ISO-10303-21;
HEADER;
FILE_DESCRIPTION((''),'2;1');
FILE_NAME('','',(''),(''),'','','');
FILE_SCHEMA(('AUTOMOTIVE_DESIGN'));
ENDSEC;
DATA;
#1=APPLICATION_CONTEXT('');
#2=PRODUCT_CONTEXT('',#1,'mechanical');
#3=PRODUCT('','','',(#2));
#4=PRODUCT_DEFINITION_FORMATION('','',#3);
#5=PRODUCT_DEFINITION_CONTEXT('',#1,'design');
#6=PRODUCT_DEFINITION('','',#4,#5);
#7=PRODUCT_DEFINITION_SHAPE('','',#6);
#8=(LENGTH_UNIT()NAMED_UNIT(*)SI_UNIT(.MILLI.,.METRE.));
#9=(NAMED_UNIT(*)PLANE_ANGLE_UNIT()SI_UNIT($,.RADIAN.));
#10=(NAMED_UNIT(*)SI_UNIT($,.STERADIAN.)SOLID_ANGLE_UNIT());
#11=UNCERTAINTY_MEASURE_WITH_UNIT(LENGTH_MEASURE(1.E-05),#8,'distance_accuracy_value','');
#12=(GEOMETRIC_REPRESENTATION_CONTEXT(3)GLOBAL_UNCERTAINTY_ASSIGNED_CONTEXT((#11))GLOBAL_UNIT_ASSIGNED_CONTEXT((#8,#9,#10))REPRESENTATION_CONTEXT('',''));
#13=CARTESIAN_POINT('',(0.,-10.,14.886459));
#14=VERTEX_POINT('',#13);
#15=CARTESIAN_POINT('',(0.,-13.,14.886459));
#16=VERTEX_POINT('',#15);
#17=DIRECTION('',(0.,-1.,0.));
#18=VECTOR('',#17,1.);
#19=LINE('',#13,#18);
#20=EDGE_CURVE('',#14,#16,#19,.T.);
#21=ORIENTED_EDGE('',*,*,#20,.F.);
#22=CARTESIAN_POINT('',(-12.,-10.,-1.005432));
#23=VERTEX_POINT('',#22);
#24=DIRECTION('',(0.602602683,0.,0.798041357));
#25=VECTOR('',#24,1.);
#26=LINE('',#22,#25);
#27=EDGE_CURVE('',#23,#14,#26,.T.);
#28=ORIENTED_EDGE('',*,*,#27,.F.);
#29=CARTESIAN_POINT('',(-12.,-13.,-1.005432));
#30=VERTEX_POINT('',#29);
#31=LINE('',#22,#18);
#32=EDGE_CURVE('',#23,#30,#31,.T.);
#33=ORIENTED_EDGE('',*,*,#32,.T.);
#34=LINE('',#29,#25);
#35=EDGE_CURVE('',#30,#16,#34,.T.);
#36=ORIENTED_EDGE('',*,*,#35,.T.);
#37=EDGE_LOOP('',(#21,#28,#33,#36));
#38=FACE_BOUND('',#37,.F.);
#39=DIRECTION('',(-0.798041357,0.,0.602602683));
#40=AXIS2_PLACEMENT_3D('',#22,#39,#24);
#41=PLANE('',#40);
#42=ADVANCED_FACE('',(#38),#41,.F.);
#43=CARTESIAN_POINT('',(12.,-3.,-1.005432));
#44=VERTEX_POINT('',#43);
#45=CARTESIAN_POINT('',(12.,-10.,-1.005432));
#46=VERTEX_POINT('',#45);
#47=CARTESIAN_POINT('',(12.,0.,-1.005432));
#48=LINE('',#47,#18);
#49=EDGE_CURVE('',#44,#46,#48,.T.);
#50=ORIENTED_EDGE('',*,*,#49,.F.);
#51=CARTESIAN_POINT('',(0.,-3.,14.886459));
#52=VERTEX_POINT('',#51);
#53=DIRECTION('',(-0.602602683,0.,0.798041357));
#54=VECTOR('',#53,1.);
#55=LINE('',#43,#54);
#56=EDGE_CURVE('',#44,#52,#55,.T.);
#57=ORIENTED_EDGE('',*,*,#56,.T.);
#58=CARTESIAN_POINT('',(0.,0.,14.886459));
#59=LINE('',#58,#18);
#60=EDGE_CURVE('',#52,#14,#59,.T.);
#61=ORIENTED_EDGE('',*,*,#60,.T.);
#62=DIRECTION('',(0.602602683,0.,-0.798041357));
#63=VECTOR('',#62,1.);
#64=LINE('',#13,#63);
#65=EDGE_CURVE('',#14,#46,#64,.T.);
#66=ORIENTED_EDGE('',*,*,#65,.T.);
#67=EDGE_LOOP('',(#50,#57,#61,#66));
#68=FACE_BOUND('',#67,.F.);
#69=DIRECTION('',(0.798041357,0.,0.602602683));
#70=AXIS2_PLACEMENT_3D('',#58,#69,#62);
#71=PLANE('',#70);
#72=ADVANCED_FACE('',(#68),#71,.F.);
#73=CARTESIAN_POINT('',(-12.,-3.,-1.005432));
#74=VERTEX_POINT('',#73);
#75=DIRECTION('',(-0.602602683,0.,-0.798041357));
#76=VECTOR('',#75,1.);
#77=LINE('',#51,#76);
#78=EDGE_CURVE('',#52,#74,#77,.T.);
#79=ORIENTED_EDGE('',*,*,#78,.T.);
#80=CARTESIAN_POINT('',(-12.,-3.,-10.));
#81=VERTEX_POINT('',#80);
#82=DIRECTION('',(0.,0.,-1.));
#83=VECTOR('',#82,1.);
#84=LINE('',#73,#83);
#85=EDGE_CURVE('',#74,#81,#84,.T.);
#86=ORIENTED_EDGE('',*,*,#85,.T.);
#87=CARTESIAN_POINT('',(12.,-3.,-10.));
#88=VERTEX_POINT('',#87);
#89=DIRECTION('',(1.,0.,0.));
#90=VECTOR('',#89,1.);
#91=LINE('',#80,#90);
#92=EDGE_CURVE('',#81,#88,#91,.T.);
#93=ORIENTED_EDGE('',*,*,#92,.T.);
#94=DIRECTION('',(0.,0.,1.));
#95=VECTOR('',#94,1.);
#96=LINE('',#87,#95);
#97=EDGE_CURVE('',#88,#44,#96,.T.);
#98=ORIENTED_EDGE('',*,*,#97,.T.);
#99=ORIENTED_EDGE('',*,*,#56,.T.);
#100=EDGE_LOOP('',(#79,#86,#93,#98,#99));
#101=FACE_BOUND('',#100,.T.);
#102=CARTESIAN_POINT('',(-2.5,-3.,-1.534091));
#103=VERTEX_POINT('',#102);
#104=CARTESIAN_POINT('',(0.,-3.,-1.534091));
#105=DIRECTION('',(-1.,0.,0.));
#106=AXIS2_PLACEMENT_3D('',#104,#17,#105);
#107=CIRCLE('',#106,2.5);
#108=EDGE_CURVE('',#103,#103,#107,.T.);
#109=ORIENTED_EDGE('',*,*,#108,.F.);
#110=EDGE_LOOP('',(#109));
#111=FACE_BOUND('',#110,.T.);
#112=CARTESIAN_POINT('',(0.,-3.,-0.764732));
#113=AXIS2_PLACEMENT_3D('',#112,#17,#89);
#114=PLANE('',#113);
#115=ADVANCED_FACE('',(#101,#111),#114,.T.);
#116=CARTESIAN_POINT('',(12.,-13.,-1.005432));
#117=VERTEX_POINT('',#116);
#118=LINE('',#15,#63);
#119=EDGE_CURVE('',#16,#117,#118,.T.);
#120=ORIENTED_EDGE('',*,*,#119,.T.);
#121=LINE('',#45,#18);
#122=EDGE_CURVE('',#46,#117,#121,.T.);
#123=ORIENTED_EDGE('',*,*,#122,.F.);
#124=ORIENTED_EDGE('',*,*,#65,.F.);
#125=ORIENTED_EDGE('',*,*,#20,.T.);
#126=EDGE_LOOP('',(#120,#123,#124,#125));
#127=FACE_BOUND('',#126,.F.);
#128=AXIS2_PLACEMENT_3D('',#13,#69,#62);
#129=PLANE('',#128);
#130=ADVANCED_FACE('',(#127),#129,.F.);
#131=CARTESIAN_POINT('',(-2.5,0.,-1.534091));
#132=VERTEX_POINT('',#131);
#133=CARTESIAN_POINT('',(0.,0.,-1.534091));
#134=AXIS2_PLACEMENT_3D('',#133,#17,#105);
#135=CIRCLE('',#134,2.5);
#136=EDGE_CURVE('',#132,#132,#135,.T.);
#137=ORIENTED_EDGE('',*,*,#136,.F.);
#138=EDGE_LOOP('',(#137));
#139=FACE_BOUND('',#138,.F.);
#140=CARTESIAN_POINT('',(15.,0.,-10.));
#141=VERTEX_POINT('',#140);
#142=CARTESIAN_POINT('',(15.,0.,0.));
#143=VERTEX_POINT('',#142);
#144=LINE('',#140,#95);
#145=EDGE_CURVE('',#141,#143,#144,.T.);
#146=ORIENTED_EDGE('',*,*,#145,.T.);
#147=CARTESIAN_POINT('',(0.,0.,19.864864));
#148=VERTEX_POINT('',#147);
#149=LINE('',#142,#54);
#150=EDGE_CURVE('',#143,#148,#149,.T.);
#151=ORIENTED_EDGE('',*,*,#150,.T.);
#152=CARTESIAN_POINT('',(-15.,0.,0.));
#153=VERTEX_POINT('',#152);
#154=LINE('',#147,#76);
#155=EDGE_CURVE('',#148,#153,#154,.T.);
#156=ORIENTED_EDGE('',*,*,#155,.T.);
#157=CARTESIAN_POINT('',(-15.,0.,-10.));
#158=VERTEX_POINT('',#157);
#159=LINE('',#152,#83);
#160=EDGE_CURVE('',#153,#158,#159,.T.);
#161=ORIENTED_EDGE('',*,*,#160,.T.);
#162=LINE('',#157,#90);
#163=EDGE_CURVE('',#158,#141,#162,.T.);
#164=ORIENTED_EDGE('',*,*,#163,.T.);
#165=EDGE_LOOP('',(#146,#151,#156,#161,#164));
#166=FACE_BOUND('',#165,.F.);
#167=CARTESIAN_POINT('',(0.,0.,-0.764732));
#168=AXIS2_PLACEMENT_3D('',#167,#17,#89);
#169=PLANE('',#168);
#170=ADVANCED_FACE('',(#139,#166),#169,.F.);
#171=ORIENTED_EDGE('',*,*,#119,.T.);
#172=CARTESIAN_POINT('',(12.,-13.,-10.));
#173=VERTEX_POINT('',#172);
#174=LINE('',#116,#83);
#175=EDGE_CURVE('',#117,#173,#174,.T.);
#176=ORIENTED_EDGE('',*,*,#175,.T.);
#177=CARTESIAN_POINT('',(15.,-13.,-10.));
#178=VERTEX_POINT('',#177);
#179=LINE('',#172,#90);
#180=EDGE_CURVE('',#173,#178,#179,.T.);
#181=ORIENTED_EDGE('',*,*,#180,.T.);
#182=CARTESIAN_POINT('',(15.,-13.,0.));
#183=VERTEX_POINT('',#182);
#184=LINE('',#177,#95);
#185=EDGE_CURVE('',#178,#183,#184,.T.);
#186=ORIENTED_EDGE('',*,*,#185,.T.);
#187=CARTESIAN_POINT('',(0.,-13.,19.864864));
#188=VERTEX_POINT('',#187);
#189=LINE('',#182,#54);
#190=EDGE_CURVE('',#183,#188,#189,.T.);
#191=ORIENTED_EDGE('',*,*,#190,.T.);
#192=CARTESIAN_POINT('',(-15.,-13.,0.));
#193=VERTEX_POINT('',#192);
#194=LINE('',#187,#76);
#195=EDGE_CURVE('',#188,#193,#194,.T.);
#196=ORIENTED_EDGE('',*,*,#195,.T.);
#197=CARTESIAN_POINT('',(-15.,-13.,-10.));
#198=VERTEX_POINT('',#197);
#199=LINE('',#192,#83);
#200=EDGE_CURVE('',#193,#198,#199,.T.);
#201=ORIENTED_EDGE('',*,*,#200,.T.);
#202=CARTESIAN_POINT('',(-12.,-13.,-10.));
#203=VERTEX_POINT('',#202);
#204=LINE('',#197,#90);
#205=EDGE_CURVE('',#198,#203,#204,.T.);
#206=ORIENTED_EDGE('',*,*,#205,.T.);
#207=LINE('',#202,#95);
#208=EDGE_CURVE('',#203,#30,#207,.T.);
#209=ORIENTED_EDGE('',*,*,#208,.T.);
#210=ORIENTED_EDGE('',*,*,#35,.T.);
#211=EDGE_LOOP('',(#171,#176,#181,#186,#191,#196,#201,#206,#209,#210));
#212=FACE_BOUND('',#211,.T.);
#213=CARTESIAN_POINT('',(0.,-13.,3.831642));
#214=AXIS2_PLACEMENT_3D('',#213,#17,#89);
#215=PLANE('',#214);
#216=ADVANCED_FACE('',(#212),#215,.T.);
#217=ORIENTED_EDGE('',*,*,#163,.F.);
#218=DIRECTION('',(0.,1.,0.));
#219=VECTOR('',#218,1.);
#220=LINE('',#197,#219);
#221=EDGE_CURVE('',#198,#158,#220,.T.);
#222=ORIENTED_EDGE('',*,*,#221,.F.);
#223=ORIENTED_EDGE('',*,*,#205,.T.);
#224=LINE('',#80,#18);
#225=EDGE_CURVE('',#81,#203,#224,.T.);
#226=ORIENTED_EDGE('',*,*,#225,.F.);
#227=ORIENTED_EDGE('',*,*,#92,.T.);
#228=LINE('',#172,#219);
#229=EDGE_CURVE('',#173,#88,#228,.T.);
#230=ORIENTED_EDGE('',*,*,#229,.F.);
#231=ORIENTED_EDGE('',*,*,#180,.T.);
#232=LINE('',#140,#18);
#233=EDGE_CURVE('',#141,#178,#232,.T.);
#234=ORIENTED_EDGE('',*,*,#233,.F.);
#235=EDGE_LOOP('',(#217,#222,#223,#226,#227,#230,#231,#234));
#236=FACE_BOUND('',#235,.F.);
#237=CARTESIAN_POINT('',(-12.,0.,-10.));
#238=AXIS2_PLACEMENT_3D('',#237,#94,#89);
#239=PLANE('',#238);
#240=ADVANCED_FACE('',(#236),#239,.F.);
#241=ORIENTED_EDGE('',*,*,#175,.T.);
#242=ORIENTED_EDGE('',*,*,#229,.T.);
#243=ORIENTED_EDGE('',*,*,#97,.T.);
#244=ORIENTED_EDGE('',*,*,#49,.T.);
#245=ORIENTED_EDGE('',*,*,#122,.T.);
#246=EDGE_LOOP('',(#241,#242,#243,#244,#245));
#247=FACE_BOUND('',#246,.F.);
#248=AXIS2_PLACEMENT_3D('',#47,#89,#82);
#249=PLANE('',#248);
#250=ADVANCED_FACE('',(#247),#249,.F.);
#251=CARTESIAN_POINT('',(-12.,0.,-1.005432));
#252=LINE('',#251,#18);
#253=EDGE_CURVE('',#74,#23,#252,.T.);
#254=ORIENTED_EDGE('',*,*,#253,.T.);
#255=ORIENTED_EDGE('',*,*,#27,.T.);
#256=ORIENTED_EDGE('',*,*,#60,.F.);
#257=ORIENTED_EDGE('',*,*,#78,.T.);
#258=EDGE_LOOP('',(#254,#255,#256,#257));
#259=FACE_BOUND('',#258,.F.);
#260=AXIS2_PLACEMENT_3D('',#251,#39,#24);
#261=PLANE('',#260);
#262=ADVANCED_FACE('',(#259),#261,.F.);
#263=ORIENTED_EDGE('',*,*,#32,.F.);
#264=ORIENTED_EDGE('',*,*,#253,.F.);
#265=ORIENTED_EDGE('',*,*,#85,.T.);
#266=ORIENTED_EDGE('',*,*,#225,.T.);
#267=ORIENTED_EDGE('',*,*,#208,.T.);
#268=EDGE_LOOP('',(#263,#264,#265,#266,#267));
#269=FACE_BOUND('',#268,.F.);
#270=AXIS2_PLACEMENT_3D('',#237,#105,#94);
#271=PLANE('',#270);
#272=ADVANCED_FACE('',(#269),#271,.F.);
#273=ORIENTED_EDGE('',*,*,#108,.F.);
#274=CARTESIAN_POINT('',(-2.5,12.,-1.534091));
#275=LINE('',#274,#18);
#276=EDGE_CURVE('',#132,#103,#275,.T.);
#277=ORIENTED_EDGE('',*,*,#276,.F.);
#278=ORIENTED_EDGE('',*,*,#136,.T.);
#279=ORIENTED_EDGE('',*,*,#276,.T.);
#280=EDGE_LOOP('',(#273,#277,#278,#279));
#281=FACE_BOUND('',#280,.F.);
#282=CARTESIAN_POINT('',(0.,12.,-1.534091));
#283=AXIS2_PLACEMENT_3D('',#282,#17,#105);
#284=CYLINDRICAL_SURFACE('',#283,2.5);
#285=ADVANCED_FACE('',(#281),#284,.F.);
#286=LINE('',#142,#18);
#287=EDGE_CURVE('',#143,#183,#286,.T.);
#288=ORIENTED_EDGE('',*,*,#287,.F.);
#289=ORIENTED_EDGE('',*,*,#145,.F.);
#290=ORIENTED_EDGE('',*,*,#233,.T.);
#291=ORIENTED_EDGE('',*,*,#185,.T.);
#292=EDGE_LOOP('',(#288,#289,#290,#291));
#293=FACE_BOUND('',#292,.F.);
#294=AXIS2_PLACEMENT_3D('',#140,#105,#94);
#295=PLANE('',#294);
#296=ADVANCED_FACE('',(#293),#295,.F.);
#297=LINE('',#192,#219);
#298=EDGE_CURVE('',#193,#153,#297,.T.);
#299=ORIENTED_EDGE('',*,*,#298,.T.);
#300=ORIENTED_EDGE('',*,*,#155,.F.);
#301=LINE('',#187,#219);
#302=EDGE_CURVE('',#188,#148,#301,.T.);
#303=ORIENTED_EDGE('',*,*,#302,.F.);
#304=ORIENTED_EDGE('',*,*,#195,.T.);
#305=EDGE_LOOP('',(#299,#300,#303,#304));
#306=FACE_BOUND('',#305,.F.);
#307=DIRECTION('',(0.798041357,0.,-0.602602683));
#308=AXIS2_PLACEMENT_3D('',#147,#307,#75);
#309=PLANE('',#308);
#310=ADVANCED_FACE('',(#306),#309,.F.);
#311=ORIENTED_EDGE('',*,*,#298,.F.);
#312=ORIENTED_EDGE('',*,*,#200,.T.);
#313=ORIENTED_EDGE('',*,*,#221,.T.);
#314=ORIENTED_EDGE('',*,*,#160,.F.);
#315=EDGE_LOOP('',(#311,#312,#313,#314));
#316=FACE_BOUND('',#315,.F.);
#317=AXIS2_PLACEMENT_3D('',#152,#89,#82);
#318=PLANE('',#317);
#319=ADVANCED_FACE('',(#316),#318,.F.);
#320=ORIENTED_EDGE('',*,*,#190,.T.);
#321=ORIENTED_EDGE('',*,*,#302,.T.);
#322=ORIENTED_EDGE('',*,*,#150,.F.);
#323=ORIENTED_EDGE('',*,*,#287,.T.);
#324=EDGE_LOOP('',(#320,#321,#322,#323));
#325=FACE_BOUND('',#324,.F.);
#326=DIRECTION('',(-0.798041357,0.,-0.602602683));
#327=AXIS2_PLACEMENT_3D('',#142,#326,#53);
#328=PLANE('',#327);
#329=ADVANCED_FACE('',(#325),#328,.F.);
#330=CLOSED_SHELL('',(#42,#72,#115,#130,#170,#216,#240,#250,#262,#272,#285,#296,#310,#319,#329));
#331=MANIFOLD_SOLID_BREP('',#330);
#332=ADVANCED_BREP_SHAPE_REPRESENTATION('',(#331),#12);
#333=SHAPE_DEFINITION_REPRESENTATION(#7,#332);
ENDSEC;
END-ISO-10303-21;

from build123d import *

# Parameters (mm, degrees)
F1_DEPTH = 10
F2_DEPTH = 3
F3_D     = 5
F3_DEPTH = 12
F3_TIP   = 1.5021515476


with BuildPart() as f1:
    # F0 (on Front) → F1 (new body)
    with BuildSketch(Plane.XZ):
        Polygon((0, 19.8648640182), (-15, 0), (-15, -10), (-12, -10), (-12, -1.0054318503), (0, 14.8864593642), (12, -1.0054318503), (12, -10), (15, -10), (15, 0), align=None)
    extrude(amount=F1_DEPTH)

    # F0 (on Front) + F1_face (on face) → F2 (join)
    with BuildSketch(Plane.XZ):
        Polygon((-12, -1.0054318503), (-12, -10), (12, -10), (12, -1.0054318503), (0, 14.8864593642), align=None)
    with BuildSketch(Plane(origin=(0, -10, 4.4015692683), x_dir=(1, 0, 0), z_dir=(0, -1, 0))):
        Polygon((0, 15.4632947499), (-15, -4.4015692683), (-15, -14.4015692683), (-12, -14.4015692683), (-12, -5.4070011186), (0, 10.484890096), (12, -5.4070011186), (12, -14.4015692683), (15, -14.4015692683), (15, -4.4015692683), align=None)
    extrude(amount=F2_DEPTH)

    # F3
    with Locations(Plane(origin=(0, 0, 0), x_dir=(1, 0, 0), z_dir=(0, 1, 0))):
        with Locations((0, 1.5340909595)):
            Hole(F3_D / 2, depth=F3_DEPTH)
            with Locations((0, 0, -(F3_DEPTH + F3_TIP / 2))):  # 118° drill point
                Cone(0, F3_D / 2, F3_TIP, mode=Mode.SUBTRACT)


solid = f1.part
